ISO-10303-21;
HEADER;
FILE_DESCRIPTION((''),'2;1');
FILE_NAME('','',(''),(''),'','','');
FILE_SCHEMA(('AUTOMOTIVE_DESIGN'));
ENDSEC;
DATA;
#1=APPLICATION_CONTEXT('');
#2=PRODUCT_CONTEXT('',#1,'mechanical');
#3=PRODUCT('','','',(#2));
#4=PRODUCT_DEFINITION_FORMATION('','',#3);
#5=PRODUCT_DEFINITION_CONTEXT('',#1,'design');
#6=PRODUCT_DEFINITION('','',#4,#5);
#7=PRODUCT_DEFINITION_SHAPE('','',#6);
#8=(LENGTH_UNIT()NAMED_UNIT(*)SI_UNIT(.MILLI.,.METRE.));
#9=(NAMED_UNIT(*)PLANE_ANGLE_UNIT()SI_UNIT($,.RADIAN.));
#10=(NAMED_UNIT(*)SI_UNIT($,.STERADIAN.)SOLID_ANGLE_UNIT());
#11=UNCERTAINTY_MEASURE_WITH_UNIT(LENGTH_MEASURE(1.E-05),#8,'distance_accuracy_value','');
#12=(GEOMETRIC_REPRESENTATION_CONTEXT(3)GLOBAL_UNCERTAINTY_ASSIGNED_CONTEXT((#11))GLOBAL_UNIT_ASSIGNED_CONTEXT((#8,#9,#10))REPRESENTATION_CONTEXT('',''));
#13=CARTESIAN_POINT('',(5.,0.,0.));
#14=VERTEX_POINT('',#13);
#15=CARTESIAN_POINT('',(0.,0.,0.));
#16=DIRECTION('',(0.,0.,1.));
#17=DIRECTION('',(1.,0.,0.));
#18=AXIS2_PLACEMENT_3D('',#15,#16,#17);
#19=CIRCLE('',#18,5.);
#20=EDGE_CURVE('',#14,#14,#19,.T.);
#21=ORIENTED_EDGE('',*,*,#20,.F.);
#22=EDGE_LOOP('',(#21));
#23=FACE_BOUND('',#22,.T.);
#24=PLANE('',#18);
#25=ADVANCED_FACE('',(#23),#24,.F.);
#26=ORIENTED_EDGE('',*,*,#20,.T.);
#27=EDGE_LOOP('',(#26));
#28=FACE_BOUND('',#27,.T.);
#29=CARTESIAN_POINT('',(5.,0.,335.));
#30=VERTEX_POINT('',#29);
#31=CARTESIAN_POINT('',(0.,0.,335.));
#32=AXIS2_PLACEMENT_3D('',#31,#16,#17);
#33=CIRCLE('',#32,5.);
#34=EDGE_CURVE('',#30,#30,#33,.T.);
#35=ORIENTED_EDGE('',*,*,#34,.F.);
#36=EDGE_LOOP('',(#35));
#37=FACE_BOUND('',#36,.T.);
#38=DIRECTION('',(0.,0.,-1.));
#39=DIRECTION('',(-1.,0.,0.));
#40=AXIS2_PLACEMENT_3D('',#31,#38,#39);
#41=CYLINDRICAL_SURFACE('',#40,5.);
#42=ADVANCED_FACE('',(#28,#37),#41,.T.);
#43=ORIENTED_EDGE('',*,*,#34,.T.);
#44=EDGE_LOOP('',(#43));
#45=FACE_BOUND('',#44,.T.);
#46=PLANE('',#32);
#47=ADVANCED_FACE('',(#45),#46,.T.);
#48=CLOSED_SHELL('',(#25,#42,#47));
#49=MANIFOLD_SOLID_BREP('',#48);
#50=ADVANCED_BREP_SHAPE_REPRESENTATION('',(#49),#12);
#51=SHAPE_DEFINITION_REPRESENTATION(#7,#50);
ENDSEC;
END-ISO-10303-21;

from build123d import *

# Parameters (mm, degrees)
ESQUISSE1_R        = 5
BOSS_EXTRU_1_DEPTH = 335


with BuildPart() as part:
    # Esquisse1 → Boss.-Extru.1 (new body)
    with BuildSketch(Plane.XY):
        Circle(ESQUISSE1_R)
    extrude(amount=BOSS_EXTRU_1_DEPTH)


solid = part.part
